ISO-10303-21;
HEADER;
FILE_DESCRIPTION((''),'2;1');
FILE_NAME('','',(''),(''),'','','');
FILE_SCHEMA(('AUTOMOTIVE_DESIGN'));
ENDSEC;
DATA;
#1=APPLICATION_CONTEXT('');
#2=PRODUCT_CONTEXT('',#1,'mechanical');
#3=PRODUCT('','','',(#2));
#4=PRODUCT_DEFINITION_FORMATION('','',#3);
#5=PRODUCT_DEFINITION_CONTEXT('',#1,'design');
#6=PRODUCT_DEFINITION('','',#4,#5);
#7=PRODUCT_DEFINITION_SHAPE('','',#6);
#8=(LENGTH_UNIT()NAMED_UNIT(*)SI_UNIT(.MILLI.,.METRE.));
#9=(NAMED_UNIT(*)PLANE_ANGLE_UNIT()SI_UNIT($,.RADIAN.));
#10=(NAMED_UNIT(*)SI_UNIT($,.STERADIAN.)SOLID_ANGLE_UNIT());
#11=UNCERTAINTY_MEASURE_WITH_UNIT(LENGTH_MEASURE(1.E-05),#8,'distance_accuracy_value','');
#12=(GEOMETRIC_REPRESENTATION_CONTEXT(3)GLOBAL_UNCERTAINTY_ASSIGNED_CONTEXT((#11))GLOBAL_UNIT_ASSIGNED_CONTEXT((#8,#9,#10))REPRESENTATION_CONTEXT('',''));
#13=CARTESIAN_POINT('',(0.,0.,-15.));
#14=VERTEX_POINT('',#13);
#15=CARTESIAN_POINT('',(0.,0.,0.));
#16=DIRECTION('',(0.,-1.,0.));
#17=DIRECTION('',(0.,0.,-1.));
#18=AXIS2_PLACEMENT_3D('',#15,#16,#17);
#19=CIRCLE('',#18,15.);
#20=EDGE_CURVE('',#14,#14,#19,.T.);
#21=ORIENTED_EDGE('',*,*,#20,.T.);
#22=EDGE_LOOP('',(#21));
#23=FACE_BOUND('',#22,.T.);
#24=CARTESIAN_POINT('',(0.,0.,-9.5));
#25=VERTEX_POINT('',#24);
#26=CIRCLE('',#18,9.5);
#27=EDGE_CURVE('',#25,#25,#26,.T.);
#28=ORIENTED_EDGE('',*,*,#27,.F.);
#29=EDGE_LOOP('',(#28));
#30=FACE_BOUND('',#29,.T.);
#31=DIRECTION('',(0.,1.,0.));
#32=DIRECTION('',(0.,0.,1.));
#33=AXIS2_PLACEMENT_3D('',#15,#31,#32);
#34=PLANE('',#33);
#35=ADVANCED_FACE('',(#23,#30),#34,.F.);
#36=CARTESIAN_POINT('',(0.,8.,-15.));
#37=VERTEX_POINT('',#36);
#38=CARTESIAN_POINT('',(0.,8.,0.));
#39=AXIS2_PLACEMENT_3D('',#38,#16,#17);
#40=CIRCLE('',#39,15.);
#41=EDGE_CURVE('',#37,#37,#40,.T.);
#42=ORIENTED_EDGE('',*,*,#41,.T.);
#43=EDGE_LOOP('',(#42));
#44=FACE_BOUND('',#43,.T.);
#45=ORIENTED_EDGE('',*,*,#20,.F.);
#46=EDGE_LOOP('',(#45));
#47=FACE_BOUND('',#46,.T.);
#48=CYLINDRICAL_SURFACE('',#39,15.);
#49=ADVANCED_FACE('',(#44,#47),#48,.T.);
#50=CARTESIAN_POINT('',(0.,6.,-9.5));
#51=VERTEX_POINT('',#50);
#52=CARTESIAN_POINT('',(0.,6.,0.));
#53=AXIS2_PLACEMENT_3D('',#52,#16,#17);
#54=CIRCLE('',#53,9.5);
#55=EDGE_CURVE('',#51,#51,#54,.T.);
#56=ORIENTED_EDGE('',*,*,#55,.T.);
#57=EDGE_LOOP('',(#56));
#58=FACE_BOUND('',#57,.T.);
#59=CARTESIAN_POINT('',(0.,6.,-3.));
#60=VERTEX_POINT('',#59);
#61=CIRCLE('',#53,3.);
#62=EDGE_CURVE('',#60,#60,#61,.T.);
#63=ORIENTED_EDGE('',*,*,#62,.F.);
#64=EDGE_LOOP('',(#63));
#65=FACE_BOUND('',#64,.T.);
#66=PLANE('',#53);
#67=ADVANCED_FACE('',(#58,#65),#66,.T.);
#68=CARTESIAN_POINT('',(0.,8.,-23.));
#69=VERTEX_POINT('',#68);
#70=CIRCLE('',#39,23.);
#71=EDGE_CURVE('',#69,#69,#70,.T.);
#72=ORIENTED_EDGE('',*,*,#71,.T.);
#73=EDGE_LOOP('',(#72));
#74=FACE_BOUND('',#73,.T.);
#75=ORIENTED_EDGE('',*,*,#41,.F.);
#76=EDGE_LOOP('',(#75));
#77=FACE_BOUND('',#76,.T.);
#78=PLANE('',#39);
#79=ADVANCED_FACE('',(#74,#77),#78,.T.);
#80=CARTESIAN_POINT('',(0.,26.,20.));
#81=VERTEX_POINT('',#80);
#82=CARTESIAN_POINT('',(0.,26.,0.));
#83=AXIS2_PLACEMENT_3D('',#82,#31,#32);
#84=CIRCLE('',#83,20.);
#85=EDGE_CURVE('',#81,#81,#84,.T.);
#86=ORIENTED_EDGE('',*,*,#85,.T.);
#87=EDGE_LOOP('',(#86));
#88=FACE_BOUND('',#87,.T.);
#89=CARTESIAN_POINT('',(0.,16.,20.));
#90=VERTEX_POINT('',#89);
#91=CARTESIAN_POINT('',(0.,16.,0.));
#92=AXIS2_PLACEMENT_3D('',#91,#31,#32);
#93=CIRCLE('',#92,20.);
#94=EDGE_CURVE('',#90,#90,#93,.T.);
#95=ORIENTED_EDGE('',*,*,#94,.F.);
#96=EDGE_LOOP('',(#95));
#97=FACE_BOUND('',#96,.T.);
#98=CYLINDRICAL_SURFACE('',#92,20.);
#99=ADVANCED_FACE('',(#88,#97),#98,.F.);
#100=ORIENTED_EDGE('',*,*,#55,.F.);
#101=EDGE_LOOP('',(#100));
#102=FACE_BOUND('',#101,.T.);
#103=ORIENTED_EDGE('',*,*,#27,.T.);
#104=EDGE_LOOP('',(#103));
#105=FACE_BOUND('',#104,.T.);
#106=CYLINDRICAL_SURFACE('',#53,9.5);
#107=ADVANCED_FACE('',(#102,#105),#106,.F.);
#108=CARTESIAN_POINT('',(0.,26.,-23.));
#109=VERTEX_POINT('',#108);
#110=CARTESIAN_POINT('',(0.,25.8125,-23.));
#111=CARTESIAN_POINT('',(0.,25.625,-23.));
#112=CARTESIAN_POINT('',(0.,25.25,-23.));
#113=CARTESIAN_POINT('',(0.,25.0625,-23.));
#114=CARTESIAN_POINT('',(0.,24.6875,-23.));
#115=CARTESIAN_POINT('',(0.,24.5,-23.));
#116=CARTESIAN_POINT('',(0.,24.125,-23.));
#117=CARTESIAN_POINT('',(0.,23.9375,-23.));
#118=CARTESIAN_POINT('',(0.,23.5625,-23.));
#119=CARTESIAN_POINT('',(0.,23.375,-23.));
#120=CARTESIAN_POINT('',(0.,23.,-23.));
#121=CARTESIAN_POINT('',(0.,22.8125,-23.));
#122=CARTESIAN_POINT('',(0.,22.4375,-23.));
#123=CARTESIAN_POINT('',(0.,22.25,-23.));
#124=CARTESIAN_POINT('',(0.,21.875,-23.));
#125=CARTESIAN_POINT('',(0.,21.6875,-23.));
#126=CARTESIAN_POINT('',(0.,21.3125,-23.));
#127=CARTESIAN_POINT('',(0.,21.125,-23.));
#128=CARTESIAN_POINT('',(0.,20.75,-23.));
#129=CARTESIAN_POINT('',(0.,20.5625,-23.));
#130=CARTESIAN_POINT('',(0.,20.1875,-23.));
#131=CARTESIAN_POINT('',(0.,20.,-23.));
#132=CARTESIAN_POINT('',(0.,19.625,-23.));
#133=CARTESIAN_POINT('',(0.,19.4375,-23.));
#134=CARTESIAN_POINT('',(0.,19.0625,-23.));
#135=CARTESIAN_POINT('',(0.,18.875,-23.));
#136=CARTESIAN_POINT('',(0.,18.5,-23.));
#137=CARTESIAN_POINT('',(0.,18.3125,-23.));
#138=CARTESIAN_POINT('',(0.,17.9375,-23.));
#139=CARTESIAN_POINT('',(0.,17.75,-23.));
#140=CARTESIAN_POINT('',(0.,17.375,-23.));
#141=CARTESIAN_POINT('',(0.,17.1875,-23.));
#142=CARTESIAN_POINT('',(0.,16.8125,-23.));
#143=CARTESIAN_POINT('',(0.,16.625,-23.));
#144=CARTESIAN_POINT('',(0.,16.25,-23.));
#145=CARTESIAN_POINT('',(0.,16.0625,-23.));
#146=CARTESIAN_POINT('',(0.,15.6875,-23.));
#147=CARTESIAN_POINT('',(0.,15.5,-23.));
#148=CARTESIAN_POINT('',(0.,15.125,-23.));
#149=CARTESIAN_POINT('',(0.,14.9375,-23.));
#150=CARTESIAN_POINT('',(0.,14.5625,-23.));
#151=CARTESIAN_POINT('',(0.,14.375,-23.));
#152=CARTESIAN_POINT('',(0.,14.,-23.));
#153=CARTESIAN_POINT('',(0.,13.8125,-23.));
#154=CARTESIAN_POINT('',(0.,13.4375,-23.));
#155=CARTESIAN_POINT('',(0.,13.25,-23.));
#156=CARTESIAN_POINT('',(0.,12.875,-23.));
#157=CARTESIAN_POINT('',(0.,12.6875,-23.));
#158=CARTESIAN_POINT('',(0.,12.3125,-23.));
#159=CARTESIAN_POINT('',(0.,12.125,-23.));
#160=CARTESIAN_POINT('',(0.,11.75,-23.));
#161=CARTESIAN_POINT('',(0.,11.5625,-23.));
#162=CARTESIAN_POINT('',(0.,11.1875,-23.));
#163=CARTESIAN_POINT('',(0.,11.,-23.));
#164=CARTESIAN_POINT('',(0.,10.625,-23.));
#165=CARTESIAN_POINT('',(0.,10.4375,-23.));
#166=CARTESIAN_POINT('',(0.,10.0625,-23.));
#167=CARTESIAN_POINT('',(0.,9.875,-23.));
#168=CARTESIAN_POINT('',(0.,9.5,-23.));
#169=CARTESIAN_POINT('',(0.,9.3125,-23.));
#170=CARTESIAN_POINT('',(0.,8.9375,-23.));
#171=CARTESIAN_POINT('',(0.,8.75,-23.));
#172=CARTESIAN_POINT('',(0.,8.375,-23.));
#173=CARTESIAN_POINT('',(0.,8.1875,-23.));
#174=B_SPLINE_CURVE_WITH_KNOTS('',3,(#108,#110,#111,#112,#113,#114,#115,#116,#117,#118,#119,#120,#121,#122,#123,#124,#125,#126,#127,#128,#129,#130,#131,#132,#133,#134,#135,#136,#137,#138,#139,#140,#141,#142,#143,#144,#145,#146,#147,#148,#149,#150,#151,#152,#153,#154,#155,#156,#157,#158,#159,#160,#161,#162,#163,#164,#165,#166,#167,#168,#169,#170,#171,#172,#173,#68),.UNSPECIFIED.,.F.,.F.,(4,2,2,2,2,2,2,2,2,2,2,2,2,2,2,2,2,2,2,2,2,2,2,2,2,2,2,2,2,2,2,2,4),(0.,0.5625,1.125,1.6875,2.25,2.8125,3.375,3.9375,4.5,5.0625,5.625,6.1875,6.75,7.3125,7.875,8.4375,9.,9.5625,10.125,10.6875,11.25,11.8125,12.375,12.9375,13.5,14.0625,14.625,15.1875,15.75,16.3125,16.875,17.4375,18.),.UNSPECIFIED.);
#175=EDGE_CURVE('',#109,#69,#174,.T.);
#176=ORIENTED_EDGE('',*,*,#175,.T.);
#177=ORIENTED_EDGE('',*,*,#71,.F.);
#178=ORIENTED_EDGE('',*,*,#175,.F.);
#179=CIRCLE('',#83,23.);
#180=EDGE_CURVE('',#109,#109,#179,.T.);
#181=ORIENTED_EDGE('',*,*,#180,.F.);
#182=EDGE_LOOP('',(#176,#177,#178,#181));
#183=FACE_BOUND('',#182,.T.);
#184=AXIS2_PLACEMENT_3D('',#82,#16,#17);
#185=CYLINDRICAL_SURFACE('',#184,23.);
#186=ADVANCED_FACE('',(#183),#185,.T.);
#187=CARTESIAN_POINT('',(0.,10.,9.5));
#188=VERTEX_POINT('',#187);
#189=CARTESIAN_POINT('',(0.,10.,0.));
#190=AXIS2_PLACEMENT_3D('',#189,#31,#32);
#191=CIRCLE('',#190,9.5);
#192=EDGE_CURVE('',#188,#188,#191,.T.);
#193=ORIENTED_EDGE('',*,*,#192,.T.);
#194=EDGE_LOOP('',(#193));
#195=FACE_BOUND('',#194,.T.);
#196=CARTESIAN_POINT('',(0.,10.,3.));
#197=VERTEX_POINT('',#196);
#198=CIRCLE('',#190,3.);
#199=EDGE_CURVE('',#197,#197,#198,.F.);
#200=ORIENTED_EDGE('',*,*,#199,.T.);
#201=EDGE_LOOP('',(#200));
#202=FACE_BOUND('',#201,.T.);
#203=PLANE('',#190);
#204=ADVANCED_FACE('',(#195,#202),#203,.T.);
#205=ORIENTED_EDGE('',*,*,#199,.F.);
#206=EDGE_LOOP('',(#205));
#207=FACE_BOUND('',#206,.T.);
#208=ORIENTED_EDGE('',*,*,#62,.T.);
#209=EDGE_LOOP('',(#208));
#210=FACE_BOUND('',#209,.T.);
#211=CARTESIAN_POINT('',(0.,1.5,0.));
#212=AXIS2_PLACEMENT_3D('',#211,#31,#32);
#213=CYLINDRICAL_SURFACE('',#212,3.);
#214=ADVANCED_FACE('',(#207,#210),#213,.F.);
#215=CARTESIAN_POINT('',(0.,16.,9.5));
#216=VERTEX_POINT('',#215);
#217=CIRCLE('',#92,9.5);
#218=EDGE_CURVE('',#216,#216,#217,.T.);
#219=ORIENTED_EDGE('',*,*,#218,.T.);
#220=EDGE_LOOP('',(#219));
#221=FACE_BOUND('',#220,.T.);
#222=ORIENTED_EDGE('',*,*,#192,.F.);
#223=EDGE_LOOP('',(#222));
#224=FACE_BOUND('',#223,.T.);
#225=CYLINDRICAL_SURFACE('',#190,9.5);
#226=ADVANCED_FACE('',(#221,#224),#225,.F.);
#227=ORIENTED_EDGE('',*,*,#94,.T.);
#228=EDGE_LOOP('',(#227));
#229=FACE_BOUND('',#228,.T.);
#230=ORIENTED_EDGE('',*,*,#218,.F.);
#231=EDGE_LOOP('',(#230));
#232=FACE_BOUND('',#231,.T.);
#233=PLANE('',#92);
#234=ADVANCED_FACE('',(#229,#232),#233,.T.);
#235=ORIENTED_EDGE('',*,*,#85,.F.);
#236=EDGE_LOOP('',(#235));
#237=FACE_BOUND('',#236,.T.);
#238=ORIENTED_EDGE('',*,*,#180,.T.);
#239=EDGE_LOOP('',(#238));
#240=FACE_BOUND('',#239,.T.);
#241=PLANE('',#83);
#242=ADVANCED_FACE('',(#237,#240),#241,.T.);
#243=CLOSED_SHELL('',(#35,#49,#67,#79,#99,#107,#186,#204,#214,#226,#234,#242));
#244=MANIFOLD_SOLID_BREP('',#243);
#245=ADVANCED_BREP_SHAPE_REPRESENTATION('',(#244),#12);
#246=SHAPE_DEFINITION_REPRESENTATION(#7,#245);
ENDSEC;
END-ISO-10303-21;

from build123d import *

# Parameters (mm, degrees)
SKETCH_1_R           = 23
EXTRUDE_1_DEPTH      = 26
SKETCH_7_R           = 23
SKETCH_7_R_2         = 15
CUT_EXTRUDE_5_DEPTH  = 8
SKETCH_8_R           = 9.5
CUT_EXTRUDE_6_DEPTH  = 6
SKETCH_9_R           = 3
CUT_EXTRUDE_7_DEPTH  = 24.5
SKETCH_10_R          = 20
CUT_EXTRUDE_8_DEPTH  = 10
CUT_EXTRUDE_START    = -6
SKETCH_11_R          = 9.5
CUT_EXTRUDE_10_DEPTH = 6


with BuildPart() as part:
    # 스케치1 → 보스-돌출1 (new body)
    with BuildSketch(Plane(origin=(0, 0, 0), x_dir=(1, 0, 0), z_dir=(0, 1, 0))):
        with Locations(Location((0, 0, 0), (0, 0, 90))):
            Circle(SKETCH_1_R)
    extrude(amount=EXTRUDE_1_DEPTH)

    # 스케치7 → 컷-돌출5 (cut)
    with BuildSketch(Plane(origin=(0, 0, 0), x_dir=(-1, 0, 0), z_dir=(0, -1, 0))):
        with Locations(Location((0, 0, 0), (0, 0, 90))):
            Circle(SKETCH_7_R)
        with Locations(Location((0, 0, 0), (0, 0, 90))):
            Circle(SKETCH_7_R_2, mode=Mode.SUBTRACT)
    extrude(amount=-CUT_EXTRUDE_5_DEPTH, mode=Mode.SUBTRACT)

    # 스케치8 → 컷-돌출6 (cut)
    with BuildSketch(Plane.XZ):
        with Locations(Location((0, 0, 0), (0, 0, 270))):
            Circle(SKETCH_8_R)
    extrude(amount=-CUT_EXTRUDE_6_DEPTH, mode=Mode.SUBTRACT)

    # 스케치9 → 컷-돌출7 (cut)
    with BuildSketch(Plane(origin=(0, 26, 0), x_dir=(1, 0, 0), z_dir=(0, 1, 0))):
        with Locations(Location((0, 0, 0), (0, 0, 270))):
            Circle(SKETCH_9_R)
    extrude(amount=-CUT_EXTRUDE_7_DEPTH, mode=Mode.SUBTRACT)

    # 스케치10 → 컷-돌출8 (cut)
    with BuildSketch(Plane(origin=(0, 26, 0), x_dir=(1, 0, 0), z_dir=(0, 1, 0))):
        with Locations(Location((0, 0, 0), (0, 0, 270))):
            Circle(SKETCH_10_R)
    extrude(amount=-CUT_EXTRUDE_8_DEPTH, mode=Mode.SUBTRACT)

    # 스케치11 → 컷-돌출10 (cut)
    with BuildSketch(Plane(origin=(0, 16, 0), x_dir=(1, 0, 0), z_dir=(0, 1, 0)).offset(CUT_EXTRUDE_START)):
        with Locations(Location((0, 0, 0), (0, 0, 90))):
            Circle(SKETCH_11_R)
    extrude(amount=CUT_EXTRUDE_10_DEPTH, mode=Mode.SUBTRACT)


solid = part.part
